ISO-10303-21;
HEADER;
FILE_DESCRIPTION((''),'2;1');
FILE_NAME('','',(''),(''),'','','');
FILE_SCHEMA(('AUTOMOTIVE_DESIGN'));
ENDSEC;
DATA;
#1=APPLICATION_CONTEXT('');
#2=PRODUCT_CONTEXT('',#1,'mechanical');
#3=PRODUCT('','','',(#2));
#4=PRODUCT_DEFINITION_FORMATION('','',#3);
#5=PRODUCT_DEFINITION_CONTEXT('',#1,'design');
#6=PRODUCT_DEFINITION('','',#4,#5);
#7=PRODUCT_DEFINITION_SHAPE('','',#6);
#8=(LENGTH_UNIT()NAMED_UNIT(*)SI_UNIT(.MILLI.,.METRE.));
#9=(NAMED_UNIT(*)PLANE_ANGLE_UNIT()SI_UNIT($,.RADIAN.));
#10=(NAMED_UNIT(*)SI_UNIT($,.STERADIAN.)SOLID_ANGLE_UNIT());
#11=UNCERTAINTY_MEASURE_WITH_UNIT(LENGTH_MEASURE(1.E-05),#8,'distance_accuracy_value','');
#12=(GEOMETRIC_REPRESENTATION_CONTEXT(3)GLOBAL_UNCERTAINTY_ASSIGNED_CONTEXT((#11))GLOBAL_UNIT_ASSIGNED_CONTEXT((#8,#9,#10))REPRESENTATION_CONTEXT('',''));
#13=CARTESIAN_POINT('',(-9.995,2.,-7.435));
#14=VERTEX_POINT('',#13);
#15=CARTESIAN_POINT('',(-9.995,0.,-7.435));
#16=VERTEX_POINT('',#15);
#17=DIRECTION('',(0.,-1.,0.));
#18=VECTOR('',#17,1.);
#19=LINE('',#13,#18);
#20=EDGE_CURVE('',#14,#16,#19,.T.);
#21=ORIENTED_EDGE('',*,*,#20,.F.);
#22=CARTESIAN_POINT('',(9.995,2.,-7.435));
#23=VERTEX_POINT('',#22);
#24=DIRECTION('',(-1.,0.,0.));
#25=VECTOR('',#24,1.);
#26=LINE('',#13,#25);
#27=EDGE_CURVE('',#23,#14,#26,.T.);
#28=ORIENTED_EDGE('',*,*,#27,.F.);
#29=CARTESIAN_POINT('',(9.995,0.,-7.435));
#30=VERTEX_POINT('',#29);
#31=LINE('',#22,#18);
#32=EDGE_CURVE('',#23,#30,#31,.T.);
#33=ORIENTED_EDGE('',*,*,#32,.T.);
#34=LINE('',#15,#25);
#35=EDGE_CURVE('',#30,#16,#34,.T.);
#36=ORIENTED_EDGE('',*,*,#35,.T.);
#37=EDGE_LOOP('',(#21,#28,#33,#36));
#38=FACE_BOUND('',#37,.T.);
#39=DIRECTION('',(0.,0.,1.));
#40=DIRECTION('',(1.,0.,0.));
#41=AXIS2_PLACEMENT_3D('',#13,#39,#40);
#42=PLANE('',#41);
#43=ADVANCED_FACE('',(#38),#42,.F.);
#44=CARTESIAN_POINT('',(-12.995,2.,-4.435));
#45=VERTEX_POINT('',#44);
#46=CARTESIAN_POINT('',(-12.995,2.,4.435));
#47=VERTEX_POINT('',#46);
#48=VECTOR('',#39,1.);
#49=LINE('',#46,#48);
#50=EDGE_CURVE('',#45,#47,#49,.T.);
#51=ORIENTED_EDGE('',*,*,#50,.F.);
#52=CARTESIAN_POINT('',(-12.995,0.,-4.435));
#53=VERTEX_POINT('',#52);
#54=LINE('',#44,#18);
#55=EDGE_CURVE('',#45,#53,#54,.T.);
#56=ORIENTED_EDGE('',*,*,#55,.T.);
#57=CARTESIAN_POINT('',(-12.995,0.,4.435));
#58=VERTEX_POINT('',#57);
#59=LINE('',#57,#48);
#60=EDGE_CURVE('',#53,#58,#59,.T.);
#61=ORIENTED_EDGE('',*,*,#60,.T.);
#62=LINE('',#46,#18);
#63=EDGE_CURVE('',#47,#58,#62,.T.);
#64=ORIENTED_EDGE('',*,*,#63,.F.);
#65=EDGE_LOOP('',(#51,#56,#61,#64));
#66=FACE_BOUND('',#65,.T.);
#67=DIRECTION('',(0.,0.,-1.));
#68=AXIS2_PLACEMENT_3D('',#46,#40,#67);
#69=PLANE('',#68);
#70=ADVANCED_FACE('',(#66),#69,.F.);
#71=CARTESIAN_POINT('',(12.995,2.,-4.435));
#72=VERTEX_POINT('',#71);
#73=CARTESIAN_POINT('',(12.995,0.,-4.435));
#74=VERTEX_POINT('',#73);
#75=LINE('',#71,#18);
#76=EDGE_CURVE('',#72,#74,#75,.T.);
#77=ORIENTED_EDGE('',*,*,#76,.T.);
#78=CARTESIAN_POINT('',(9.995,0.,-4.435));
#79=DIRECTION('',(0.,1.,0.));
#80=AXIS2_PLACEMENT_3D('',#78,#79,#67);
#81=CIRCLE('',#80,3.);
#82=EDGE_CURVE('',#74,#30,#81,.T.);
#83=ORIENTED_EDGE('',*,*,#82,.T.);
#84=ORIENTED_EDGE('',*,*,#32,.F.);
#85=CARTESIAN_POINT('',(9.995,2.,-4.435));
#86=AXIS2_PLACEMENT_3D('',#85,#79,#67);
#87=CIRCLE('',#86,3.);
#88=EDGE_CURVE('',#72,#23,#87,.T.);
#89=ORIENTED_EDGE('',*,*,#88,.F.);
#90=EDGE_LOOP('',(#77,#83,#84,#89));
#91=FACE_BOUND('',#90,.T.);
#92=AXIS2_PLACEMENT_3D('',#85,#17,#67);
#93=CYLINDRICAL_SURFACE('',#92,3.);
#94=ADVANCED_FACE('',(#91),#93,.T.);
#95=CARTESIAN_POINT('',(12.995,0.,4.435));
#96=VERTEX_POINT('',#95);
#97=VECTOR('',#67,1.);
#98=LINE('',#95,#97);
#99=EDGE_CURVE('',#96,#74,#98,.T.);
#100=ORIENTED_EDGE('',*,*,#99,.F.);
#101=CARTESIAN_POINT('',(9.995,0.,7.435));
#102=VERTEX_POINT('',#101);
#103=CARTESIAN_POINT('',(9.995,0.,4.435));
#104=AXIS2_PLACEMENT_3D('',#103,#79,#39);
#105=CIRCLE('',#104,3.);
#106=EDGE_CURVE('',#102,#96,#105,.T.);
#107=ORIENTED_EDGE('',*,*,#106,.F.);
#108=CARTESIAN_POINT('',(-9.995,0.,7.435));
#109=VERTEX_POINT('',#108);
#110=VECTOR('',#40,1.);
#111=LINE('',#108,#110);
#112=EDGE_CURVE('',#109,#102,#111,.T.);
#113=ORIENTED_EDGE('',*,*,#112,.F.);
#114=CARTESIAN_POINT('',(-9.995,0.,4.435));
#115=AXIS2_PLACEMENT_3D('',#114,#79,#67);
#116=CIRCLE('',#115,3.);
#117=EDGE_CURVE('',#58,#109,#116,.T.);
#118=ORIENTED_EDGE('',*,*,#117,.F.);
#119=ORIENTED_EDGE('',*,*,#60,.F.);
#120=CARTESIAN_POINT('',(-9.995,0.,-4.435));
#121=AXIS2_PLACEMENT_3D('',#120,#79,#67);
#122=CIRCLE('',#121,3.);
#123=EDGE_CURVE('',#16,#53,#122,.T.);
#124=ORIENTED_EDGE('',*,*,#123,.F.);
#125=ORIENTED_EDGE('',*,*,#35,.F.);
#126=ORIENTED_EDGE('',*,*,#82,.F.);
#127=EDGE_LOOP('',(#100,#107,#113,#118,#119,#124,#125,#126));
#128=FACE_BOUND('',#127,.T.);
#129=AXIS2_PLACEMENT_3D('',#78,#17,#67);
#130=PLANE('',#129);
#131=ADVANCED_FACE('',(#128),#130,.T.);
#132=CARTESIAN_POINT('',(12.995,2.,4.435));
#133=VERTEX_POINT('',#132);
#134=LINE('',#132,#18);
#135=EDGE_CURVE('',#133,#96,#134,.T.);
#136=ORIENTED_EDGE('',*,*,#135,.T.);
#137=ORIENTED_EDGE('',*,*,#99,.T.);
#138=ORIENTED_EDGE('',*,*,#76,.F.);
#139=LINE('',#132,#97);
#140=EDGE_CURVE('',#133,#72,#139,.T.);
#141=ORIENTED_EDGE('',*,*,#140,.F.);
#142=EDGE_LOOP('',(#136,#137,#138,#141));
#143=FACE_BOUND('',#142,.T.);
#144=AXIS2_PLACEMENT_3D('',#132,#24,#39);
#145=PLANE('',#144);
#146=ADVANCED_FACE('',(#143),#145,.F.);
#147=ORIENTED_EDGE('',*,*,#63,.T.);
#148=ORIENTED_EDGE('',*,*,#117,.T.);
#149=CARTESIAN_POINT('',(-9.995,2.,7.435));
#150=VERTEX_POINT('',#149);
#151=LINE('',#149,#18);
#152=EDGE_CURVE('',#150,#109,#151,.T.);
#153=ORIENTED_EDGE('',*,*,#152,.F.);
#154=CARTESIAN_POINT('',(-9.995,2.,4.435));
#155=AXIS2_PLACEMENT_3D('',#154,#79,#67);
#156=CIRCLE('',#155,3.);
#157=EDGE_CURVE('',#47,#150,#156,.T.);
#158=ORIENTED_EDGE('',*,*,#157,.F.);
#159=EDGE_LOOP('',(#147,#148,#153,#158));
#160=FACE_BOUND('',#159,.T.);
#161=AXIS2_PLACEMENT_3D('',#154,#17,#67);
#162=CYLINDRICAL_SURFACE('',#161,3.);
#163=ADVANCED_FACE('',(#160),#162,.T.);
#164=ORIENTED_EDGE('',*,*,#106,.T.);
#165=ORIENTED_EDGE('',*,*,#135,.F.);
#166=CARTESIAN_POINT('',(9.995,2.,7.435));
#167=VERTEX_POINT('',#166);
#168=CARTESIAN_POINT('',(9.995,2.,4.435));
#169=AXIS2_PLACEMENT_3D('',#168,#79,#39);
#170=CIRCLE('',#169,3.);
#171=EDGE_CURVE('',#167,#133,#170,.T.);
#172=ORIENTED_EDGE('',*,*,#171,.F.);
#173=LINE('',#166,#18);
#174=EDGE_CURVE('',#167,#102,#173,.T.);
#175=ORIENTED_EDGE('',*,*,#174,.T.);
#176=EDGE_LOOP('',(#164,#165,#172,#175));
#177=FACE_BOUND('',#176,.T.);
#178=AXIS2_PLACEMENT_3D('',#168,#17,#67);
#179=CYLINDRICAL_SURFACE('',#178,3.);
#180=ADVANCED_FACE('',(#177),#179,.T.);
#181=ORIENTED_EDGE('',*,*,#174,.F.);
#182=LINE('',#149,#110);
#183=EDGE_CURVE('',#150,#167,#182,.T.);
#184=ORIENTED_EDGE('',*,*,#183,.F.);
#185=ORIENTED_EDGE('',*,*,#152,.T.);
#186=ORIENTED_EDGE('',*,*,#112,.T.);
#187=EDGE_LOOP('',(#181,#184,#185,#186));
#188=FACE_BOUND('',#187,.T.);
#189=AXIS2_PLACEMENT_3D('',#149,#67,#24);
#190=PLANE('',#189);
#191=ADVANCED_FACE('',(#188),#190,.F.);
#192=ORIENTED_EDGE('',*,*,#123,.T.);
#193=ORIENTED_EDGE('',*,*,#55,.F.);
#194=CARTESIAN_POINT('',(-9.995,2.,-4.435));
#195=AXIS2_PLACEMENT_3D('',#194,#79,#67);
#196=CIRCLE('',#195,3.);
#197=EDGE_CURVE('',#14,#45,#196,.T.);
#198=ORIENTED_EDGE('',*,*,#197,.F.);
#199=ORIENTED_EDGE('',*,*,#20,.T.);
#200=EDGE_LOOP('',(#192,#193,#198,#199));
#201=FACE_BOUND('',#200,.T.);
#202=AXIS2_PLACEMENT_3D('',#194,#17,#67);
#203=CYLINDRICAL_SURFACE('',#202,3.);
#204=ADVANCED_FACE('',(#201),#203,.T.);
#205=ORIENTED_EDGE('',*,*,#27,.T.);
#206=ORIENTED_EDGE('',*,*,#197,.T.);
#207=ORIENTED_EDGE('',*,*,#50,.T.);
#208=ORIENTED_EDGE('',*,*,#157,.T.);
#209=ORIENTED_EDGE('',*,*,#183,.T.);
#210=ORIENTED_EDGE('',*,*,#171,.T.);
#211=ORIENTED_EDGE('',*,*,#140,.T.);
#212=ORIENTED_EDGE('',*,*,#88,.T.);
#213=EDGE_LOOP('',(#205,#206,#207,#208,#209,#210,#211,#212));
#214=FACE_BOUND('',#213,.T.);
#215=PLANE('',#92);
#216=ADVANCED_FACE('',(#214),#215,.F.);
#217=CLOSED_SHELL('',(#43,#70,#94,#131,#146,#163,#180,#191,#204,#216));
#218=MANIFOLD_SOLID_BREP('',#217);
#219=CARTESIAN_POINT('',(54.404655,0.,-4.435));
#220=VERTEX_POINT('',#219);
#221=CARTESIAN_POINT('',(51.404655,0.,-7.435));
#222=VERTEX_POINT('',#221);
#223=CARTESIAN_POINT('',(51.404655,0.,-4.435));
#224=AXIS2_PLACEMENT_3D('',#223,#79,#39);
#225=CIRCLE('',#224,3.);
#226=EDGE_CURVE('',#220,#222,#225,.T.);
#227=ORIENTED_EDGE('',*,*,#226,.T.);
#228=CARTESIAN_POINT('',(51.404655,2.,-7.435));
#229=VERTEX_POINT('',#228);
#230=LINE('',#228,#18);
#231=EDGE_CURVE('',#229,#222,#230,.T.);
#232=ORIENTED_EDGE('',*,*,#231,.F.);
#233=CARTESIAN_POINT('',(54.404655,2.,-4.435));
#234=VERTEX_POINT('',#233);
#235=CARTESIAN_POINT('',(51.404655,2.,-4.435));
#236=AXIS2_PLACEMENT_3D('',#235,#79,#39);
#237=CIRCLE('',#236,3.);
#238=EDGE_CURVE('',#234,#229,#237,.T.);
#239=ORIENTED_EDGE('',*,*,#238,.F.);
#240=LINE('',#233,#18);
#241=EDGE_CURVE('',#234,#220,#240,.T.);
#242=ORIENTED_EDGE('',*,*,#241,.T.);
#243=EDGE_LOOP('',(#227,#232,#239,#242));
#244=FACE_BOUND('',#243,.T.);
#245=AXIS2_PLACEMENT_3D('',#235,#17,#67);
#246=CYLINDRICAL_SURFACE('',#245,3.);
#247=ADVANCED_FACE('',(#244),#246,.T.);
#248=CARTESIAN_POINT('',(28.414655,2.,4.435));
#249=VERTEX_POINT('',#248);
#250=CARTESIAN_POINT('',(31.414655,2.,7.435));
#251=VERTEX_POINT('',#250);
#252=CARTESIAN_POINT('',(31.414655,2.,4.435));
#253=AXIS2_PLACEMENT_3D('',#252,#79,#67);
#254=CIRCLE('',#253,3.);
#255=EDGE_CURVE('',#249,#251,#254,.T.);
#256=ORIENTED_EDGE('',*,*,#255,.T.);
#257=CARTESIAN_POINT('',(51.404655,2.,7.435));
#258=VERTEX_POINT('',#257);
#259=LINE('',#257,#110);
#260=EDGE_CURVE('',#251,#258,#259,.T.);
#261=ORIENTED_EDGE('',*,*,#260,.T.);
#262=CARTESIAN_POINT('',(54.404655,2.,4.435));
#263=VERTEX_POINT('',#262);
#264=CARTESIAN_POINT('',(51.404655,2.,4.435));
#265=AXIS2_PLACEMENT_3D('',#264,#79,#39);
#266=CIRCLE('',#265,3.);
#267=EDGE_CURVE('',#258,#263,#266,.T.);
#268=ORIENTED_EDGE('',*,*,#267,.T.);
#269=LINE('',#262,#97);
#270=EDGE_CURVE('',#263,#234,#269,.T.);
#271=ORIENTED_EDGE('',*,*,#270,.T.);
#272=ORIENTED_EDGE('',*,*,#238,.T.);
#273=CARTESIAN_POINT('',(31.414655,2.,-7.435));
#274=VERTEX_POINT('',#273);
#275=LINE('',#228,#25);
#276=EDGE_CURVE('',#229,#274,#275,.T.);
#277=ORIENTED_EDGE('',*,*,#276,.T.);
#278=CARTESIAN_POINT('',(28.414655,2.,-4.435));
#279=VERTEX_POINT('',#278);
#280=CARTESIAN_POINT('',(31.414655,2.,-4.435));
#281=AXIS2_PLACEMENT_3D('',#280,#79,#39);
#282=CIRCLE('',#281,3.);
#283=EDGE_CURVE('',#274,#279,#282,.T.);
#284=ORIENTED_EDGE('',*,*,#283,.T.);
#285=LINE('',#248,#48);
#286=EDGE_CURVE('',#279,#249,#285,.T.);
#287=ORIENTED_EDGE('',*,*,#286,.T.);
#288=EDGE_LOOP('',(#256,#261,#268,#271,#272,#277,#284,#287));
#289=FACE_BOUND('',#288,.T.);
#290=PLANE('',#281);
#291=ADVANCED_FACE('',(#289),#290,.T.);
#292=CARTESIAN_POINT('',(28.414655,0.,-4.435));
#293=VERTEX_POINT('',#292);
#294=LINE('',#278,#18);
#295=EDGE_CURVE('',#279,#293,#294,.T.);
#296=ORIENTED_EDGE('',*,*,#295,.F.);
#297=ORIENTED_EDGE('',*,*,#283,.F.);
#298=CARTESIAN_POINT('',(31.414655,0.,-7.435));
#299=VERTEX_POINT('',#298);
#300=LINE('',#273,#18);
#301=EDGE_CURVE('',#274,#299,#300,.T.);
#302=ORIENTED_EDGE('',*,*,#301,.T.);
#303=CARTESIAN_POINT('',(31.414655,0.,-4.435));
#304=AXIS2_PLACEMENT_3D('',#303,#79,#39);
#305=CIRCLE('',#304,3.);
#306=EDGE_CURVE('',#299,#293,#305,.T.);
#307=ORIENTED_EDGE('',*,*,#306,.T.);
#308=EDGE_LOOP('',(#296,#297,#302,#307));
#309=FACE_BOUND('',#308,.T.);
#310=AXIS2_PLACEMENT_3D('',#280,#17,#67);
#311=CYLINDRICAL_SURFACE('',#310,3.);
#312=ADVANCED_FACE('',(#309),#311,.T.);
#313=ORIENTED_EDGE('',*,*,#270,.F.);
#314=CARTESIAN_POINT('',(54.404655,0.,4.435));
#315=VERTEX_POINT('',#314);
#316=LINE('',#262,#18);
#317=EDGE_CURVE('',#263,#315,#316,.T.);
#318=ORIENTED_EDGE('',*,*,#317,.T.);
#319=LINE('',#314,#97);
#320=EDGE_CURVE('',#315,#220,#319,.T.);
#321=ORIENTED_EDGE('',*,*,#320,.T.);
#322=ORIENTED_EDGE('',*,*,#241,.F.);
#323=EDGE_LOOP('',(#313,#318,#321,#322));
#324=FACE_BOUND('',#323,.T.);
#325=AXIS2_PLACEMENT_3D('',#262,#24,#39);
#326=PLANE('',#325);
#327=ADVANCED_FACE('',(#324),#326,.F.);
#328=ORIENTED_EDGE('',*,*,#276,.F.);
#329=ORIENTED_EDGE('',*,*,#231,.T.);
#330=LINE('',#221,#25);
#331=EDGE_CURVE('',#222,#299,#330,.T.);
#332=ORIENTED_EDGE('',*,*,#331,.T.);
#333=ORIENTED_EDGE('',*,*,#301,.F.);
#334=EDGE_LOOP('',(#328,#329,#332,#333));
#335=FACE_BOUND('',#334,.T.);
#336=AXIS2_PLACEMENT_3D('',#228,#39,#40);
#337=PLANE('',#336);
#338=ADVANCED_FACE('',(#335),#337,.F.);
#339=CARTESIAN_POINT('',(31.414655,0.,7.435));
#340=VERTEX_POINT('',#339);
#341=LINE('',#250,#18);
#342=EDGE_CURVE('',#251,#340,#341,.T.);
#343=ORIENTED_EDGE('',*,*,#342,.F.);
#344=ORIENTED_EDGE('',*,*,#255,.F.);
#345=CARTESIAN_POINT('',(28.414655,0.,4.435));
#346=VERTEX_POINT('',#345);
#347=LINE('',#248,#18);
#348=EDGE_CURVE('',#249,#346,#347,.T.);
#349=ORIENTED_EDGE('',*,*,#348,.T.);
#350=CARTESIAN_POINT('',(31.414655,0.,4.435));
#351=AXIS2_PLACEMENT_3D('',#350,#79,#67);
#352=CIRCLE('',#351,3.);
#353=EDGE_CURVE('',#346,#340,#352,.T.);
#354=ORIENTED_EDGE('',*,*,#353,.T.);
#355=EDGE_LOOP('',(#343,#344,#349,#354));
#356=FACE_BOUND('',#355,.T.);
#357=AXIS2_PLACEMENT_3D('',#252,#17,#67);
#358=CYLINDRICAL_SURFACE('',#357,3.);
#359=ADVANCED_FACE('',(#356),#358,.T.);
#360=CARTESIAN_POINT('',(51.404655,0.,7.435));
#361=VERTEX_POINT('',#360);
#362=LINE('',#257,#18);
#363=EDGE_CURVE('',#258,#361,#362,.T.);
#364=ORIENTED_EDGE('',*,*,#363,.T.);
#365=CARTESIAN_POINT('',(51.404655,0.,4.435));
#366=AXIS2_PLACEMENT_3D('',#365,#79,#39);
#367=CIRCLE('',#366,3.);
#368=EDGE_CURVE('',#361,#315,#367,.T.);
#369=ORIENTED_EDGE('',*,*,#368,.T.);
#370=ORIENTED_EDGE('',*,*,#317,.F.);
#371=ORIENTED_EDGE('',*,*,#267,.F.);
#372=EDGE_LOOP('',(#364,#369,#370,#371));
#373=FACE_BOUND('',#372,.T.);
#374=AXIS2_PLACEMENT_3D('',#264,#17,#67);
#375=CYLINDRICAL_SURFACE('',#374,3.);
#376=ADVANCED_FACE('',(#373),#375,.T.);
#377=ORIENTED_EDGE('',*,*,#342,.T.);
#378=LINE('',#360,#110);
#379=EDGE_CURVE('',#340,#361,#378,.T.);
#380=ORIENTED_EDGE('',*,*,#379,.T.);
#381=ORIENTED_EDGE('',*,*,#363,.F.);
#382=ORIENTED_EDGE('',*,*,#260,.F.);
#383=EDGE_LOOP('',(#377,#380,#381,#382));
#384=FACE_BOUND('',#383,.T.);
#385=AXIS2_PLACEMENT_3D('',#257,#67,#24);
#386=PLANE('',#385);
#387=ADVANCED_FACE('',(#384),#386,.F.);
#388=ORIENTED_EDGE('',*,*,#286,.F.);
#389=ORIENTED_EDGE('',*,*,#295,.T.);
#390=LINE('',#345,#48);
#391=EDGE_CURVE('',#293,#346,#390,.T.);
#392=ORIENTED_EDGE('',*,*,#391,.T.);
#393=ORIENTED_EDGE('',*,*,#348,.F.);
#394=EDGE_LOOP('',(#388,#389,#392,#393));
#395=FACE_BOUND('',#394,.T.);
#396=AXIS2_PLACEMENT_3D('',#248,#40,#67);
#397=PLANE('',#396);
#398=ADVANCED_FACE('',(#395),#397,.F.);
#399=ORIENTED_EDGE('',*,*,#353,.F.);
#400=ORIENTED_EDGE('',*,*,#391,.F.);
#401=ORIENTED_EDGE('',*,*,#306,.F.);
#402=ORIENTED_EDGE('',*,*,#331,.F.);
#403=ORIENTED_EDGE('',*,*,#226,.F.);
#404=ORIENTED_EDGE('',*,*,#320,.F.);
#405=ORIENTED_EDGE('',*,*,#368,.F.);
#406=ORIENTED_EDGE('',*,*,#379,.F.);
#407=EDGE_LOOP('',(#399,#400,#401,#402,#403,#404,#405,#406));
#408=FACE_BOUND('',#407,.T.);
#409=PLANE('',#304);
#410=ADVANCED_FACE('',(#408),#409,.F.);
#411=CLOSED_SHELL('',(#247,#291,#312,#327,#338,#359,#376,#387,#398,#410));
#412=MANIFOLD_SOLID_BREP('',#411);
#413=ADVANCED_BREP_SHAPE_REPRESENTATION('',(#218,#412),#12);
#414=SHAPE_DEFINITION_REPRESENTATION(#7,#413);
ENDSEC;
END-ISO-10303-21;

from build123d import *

# Parameters (mm, degrees)
EXTRUDE_1_DEPTH   = 2
EXTRUDE_1_2_DEPTH = 2


with BuildPart() as part:
    # 草图1 → 凸台-拉伸1 (new body)
    with BuildSketch(Plane(origin=(0, 0, 0), x_dir=(1, 0, 0), z_dir=(0, 1, 0))):
        with BuildLine():
            Line((-9.995, -7.435), (9.995, -7.435))
            ThreePointArc((9.995, -7.435), (12.116320344, -6.556320344), (12.995, -4.435))
            Line((12.995, -4.435), (12.995, 4.435))
            ThreePointArc((12.995, 4.435), (12.116320344, 6.556320344), (9.995, 7.435))
            Line((9.995, 7.435), (-9.995, 7.435))
            ThreePointArc((-9.995, 7.435), (-12.116320344, 6.556320344), (-12.995, 4.435))
            Line((-12.995, 4.435), (-12.995, -4.435))
            ThreePointArc((-12.995, -4.435), (-12.116320344, -6.556320344), (-9.995, -7.435))
        make_face()
    extrude(amount=EXTRUDE_1_DEPTH)


with BuildPart() as body_2:
    # 草图1 → Extrude 1 2 (new body)
    with BuildSketch(Plane(origin=(0, 0, 0), x_dir=(1, 0, 0), z_dir=(0, 1, 0))):
        with BuildLine():
            Line((28.414655294, -4.435), (28.414655294, 4.435))
            ThreePointArc((28.414655294, 4.435), (29.29333495, 6.556320344), (31.414655294, 7.435))
            Line((31.414655294, 7.435), (51.404655294, 7.435))
            ThreePointArc((51.404655294, 7.435), (53.525975637, 6.556320344), (54.404655294, 4.435))
            Line((54.404655294, 4.435), (54.404655294, -4.435))
            ThreePointArc((54.404655294, -4.435), (53.525975637, -6.556320344), (51.404655294, -7.435))
            Line((51.404655294, -7.435), (31.414655294, -7.435))
            ThreePointArc((31.414655294, -7.435), (29.29333495, -6.556320344), (28.414655294, -4.435))
        make_face()
    extrude(amount=EXTRUDE_1_2_DEPTH)


solid = Compound([part.part, body_2.part])
